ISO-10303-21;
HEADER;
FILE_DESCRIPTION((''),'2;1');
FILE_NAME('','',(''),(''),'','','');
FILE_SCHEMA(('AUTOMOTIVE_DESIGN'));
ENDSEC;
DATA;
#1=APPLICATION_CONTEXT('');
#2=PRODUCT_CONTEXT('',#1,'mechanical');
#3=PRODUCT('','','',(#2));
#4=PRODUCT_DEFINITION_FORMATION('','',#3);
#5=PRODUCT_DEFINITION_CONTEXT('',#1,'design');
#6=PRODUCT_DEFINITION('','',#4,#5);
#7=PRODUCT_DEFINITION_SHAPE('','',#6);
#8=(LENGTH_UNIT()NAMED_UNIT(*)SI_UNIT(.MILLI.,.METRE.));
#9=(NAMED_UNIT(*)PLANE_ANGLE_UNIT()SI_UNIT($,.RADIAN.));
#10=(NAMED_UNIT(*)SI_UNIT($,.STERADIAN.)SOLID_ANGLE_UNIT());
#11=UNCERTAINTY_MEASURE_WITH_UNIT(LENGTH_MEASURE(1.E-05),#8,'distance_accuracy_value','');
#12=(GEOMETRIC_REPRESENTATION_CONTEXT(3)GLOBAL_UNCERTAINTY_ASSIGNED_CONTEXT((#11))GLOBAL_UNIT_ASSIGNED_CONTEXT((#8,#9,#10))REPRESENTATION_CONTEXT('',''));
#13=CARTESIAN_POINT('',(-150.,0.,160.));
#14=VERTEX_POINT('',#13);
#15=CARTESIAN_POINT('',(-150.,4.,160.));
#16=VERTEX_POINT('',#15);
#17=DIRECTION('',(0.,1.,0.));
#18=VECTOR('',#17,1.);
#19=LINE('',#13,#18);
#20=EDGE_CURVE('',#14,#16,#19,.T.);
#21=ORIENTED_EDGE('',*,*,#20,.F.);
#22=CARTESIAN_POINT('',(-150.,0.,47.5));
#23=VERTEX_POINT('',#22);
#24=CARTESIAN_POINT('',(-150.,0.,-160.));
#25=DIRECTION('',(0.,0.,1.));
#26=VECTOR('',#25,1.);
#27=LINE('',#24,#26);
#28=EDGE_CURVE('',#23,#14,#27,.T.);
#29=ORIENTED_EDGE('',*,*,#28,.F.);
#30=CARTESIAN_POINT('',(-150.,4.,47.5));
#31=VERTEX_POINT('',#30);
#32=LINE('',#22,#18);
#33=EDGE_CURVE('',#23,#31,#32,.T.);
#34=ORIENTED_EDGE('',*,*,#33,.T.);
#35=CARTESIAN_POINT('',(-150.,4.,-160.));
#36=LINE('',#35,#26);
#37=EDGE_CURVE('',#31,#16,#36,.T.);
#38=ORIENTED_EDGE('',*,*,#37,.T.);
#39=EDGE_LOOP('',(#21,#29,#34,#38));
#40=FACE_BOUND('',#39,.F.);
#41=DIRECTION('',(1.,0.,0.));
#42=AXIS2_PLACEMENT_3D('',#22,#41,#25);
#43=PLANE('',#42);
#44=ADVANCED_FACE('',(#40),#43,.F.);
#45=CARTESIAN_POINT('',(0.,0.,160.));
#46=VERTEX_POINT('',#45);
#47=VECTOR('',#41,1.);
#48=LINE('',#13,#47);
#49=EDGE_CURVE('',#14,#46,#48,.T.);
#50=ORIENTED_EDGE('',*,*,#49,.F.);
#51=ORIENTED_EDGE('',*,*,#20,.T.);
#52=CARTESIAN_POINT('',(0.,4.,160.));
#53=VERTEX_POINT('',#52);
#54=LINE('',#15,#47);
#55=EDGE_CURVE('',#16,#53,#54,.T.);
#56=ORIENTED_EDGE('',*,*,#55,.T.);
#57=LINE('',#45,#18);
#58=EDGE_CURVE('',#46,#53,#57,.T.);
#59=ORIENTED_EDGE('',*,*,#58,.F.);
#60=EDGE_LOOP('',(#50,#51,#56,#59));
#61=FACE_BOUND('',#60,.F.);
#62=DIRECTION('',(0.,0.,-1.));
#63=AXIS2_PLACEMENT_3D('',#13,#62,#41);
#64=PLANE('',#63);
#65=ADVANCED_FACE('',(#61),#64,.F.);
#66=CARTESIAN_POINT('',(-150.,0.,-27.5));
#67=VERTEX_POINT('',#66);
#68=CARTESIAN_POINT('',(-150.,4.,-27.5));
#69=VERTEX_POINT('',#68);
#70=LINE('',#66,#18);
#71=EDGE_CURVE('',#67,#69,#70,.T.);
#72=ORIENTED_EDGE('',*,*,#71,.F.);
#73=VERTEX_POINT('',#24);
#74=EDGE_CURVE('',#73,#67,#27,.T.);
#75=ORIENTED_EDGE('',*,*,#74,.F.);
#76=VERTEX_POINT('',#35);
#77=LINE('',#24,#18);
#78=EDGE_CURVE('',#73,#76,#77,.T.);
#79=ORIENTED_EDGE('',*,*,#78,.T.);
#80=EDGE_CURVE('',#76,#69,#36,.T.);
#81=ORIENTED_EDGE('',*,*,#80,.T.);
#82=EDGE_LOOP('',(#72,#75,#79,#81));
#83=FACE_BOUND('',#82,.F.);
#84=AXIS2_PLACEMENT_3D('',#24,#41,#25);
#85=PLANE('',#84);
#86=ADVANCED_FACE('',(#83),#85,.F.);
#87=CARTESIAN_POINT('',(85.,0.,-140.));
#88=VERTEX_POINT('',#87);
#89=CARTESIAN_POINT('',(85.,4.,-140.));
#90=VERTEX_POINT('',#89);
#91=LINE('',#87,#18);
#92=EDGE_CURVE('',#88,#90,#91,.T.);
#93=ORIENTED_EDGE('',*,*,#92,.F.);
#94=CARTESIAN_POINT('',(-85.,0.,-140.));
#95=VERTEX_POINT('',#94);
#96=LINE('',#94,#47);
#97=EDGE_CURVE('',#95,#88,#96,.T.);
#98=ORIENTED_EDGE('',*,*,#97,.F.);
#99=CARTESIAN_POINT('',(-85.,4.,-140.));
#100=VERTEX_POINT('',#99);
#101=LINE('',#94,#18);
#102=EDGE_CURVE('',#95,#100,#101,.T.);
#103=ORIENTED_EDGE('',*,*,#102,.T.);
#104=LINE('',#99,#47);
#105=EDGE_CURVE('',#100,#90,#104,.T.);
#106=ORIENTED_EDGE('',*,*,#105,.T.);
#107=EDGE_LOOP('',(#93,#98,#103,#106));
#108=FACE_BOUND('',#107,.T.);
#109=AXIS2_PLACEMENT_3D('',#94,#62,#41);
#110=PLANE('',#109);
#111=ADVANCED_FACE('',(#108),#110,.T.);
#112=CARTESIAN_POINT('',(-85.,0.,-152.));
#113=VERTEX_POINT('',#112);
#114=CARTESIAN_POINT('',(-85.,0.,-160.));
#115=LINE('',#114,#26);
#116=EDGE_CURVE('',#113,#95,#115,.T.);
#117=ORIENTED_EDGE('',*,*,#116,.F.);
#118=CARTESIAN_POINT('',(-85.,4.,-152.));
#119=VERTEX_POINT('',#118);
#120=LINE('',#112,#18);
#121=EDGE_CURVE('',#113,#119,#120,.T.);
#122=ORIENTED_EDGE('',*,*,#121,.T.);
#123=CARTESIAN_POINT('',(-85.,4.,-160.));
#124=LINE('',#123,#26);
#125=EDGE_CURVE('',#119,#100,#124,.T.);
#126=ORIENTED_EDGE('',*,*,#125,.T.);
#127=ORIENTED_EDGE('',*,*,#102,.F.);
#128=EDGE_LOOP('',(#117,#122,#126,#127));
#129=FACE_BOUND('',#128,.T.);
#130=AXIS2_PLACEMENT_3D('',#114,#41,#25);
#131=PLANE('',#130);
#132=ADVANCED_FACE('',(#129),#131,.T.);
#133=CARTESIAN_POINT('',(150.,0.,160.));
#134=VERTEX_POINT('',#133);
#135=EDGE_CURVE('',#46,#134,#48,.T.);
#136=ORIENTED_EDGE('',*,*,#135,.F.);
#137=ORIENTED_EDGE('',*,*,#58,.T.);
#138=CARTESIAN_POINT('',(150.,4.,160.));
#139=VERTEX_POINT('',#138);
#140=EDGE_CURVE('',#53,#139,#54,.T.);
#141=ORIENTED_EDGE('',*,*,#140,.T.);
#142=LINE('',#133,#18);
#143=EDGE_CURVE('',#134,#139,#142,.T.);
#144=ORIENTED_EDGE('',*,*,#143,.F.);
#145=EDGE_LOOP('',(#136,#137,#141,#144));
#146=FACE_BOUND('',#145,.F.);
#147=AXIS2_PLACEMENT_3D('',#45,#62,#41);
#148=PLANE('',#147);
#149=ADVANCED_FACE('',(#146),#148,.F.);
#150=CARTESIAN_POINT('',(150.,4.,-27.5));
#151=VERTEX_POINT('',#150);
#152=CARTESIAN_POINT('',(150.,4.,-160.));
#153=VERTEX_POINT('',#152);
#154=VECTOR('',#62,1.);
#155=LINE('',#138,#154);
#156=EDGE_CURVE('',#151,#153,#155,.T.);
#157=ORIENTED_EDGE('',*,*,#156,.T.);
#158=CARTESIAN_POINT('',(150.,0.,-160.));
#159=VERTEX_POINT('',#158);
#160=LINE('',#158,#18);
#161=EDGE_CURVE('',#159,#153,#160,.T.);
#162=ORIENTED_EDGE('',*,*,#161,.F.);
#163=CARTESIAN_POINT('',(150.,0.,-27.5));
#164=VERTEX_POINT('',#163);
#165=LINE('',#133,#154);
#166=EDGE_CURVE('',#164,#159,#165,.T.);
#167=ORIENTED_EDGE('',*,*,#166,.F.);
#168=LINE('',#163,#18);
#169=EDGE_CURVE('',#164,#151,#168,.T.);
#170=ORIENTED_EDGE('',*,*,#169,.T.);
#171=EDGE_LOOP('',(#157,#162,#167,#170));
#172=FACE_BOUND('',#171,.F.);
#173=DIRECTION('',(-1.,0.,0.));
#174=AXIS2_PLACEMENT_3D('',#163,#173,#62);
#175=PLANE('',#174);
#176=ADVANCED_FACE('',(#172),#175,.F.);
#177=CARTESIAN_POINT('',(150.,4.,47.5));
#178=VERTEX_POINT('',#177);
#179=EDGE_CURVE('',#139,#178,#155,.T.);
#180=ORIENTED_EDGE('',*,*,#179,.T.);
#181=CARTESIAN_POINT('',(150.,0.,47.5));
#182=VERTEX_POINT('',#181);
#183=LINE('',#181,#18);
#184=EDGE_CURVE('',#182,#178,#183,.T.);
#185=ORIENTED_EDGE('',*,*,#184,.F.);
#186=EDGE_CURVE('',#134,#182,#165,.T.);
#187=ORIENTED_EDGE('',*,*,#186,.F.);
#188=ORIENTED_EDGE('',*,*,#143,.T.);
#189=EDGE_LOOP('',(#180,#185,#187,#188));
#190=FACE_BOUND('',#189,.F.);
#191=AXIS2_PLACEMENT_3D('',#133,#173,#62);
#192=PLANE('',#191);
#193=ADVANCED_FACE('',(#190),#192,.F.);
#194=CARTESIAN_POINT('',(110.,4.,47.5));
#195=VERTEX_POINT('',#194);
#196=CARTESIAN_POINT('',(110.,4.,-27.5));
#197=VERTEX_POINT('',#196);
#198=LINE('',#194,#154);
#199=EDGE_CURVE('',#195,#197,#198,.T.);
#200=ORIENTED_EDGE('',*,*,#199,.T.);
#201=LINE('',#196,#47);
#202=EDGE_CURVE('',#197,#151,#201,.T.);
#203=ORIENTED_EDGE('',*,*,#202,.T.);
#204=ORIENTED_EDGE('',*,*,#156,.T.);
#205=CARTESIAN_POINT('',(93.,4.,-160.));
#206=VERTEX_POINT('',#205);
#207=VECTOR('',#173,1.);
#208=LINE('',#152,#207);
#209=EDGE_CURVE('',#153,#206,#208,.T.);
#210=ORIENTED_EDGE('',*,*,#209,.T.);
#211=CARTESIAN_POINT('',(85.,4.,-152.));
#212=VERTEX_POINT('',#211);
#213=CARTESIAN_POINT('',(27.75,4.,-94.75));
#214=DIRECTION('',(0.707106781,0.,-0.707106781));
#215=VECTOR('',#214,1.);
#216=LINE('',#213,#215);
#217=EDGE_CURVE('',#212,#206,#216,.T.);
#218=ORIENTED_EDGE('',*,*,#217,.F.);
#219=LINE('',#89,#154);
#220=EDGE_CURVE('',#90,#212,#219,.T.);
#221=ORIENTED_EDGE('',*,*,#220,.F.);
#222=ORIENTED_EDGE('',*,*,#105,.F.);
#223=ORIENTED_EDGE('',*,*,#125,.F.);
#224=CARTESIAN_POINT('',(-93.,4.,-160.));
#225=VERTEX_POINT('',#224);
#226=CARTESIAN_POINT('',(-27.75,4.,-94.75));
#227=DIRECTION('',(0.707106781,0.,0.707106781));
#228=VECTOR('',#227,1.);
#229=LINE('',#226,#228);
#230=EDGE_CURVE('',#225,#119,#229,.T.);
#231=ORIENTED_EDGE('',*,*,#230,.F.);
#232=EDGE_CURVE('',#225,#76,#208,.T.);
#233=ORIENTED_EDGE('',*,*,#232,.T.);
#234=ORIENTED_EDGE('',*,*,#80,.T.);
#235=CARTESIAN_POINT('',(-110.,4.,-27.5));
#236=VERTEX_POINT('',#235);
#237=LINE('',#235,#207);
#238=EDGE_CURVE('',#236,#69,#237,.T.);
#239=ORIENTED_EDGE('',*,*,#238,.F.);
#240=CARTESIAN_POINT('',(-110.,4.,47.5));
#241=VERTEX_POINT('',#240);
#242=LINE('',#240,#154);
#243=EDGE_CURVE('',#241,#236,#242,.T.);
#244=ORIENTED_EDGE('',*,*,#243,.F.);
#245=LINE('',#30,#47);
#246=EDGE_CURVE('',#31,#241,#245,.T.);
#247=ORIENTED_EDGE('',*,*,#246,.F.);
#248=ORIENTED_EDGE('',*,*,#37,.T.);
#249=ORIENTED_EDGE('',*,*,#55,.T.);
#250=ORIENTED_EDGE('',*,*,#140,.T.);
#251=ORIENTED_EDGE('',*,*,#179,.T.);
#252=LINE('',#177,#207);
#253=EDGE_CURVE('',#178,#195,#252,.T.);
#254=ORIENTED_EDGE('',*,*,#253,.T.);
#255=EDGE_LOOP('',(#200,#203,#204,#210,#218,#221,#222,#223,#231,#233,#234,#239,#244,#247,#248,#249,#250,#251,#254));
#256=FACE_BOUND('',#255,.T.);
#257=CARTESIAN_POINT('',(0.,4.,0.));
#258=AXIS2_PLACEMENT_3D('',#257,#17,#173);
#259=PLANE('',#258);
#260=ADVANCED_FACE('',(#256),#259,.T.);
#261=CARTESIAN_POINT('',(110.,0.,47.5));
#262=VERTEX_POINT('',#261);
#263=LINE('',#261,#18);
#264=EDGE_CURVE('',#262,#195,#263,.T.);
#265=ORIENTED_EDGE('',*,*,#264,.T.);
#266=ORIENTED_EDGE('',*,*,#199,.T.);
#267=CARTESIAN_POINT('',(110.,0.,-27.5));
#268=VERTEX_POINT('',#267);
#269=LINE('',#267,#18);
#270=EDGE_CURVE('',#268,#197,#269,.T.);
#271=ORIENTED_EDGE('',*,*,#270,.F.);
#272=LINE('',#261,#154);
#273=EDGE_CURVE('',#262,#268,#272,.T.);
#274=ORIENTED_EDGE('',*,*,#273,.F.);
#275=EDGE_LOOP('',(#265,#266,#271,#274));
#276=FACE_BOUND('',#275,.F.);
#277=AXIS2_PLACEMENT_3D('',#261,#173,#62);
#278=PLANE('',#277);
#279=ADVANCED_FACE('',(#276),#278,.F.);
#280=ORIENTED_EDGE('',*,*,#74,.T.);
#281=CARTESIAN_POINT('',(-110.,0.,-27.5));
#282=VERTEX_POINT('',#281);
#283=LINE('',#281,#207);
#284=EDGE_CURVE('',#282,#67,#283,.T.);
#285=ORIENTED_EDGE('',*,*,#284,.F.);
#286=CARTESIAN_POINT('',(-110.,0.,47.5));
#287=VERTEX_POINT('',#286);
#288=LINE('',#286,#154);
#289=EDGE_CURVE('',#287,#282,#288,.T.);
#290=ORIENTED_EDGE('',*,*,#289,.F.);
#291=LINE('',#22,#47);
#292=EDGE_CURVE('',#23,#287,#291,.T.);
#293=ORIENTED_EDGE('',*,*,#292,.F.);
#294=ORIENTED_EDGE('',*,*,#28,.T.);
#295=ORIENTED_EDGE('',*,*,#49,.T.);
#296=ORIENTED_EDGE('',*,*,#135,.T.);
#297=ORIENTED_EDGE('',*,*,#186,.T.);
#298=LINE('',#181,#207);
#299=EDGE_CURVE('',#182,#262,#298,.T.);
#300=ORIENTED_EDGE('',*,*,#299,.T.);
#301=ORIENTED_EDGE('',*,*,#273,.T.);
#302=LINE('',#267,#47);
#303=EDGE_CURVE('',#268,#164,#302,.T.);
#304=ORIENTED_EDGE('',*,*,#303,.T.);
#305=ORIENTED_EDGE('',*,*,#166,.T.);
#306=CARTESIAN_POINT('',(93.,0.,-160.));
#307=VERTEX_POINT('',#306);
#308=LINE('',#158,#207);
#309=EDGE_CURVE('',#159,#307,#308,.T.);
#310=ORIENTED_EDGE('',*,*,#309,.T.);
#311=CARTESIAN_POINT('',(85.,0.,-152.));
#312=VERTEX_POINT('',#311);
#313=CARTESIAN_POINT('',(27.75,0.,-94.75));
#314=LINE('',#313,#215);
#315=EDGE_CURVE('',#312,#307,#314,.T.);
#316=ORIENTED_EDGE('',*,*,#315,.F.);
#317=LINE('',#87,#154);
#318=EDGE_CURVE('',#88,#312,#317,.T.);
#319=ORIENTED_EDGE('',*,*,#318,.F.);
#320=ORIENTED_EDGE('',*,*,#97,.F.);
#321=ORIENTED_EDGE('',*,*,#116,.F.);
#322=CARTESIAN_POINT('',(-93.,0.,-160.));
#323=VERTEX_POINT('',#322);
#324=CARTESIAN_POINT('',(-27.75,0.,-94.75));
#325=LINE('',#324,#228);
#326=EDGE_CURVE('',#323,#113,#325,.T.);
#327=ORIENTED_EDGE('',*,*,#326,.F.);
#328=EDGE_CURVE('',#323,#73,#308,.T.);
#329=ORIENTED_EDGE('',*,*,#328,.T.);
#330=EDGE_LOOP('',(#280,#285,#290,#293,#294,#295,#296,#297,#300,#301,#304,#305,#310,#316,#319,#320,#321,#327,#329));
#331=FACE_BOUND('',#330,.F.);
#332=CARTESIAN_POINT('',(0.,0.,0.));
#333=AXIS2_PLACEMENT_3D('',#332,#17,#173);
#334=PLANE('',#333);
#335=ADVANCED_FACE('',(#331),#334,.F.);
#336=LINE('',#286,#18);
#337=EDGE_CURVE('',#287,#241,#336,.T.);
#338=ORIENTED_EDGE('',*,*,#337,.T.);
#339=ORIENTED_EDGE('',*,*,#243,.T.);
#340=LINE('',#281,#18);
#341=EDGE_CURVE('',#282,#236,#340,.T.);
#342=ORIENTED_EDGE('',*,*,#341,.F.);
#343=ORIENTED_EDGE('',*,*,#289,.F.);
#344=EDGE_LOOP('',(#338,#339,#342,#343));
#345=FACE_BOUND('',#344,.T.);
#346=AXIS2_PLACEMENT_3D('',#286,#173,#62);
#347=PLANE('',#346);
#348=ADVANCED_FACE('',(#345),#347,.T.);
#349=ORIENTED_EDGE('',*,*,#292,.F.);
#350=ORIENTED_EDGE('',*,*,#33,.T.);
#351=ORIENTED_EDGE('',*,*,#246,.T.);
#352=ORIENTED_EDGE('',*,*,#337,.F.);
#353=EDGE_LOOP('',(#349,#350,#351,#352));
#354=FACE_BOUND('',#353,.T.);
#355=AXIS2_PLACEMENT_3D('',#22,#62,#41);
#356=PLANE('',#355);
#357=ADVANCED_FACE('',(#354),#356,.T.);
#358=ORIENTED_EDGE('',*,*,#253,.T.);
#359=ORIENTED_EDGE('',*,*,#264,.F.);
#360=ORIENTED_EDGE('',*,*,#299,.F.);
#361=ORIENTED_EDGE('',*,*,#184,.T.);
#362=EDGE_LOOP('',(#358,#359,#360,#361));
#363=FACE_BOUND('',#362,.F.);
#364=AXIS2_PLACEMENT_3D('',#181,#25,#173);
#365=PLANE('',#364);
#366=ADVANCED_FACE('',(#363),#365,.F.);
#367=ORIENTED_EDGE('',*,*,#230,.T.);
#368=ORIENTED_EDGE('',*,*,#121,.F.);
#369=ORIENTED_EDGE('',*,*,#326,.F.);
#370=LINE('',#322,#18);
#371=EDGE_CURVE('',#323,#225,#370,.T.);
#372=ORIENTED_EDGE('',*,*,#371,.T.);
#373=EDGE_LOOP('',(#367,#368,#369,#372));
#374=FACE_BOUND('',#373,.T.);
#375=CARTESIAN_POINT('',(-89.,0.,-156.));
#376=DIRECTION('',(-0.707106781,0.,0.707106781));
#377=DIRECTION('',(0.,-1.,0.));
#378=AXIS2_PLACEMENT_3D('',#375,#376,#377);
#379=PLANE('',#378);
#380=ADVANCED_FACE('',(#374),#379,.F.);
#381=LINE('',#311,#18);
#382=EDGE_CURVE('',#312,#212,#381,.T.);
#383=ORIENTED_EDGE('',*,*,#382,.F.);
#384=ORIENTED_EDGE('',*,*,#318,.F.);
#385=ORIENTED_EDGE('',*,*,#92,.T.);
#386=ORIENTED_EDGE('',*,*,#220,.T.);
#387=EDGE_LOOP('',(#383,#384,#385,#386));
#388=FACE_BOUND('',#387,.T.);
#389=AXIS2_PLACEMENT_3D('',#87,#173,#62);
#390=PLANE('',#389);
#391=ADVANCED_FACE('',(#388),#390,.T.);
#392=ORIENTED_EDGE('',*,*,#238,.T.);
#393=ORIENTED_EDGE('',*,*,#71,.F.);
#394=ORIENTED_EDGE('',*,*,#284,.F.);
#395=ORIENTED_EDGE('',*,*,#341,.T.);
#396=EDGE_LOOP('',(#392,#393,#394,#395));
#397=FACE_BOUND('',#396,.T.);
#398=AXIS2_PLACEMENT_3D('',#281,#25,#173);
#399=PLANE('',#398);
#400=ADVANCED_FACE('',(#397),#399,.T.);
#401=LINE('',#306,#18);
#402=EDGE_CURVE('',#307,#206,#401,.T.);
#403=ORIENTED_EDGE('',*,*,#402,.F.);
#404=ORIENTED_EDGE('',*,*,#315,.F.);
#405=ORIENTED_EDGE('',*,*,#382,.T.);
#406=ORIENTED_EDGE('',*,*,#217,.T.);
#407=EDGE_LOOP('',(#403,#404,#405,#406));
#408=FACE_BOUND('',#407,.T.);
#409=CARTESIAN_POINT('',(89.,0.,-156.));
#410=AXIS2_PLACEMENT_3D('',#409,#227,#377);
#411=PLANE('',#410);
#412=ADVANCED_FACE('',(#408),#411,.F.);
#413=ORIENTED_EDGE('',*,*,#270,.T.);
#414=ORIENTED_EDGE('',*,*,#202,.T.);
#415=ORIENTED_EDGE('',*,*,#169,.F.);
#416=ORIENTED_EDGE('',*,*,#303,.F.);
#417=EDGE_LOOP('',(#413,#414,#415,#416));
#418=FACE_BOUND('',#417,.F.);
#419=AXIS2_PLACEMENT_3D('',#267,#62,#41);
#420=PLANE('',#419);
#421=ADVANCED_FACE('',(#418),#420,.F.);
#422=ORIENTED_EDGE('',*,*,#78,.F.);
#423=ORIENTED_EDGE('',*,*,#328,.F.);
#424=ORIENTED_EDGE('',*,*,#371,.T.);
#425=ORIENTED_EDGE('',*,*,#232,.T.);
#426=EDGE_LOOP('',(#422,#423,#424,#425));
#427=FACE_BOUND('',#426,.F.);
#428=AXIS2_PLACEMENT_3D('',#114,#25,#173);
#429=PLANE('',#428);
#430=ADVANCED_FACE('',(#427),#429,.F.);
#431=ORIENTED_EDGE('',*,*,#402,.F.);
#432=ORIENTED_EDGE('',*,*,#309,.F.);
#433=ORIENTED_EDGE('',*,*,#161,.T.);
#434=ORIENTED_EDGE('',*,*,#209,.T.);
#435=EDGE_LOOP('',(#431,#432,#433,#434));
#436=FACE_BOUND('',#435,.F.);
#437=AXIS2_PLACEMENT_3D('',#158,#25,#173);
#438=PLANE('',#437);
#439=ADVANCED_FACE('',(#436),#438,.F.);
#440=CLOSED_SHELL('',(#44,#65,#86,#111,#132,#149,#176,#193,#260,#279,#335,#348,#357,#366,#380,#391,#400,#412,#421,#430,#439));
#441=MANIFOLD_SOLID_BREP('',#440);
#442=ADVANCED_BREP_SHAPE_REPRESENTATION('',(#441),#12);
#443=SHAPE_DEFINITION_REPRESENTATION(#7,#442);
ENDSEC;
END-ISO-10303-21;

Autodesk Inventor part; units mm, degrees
ref_plane "YZ Plane" through (0, 0, 0) normal (1, 0, 0) x (0, 1, 0)
ref_plane "XZ Plane" through (0, 0, 0) normal (0, 1, 0) x (-1, 0, 0)
ref_plane "XY Plane" through (0, 0, 0) normal (0, 0, 1) x (1, 0, 0)
sketch "Sketch1" plane through (0, 0, 0) normal (0, 1, 0) x (-1, 0, 0)
  line L0 (150, 160) -> (-150, 160)
  line L1 (-150, 160) -> (-150, -160)
  line L2 (-150, -160) -> (150, -160)
  line L3 (150, -160) -> (150, 160)
  line L4 (150, 160) -> (-150, -160) construction
  line L5 (-150, 160) -> (150, -160) construction
  line L6 (-150, 160) -> (-150, 47.5)
  line L7 (-150, 47.5) -> (-150, -27.5)
  line L8 (-150, 47.5) -> (-110, 47.5)
  line L9 (-110, 47.5) -> (-110, -27.5)
  line L10 (-110, -27.5) -> (-150, -27.5)
  line L11 (0, 160) -> (0, 66.8041)
  line L12 (150, 47.5) -> (110, 47.5)
  line L13 (110, 47.5) -> (110, -27.5)
  line L14 (110, -27.5) -> (150, -27.5)
  line L15 (0, -160) -> (85, -160)
  line L16 (85, -160) -> (85, -140)
  line L17 (85, -140) -> (-85, -140)
  line L18 (-85, -140) -> (-85, -160)
  point P0 (0, 0)
  dimension "d0" = 300
  dimension "d1" = 320
  dimension "d2" = 112.5
  dimension "d3" = 75
  dimension "d4" = 40
  dimension "d5" = 75
  dimension "d6" = 85
  dimension "d7" = 20
  dimension "d8" = 170
extrude "Extrusion1" add sketch "Sketch1" along normal blind 4 contours L3 L12 L13 L14 L2 L16 L17 L18 L1 L10 L9 L8 L0
chamfer "Chamfer1" distance 8 angle 45 2 edges at (-85, 2, -160) (85, 2, -160)
